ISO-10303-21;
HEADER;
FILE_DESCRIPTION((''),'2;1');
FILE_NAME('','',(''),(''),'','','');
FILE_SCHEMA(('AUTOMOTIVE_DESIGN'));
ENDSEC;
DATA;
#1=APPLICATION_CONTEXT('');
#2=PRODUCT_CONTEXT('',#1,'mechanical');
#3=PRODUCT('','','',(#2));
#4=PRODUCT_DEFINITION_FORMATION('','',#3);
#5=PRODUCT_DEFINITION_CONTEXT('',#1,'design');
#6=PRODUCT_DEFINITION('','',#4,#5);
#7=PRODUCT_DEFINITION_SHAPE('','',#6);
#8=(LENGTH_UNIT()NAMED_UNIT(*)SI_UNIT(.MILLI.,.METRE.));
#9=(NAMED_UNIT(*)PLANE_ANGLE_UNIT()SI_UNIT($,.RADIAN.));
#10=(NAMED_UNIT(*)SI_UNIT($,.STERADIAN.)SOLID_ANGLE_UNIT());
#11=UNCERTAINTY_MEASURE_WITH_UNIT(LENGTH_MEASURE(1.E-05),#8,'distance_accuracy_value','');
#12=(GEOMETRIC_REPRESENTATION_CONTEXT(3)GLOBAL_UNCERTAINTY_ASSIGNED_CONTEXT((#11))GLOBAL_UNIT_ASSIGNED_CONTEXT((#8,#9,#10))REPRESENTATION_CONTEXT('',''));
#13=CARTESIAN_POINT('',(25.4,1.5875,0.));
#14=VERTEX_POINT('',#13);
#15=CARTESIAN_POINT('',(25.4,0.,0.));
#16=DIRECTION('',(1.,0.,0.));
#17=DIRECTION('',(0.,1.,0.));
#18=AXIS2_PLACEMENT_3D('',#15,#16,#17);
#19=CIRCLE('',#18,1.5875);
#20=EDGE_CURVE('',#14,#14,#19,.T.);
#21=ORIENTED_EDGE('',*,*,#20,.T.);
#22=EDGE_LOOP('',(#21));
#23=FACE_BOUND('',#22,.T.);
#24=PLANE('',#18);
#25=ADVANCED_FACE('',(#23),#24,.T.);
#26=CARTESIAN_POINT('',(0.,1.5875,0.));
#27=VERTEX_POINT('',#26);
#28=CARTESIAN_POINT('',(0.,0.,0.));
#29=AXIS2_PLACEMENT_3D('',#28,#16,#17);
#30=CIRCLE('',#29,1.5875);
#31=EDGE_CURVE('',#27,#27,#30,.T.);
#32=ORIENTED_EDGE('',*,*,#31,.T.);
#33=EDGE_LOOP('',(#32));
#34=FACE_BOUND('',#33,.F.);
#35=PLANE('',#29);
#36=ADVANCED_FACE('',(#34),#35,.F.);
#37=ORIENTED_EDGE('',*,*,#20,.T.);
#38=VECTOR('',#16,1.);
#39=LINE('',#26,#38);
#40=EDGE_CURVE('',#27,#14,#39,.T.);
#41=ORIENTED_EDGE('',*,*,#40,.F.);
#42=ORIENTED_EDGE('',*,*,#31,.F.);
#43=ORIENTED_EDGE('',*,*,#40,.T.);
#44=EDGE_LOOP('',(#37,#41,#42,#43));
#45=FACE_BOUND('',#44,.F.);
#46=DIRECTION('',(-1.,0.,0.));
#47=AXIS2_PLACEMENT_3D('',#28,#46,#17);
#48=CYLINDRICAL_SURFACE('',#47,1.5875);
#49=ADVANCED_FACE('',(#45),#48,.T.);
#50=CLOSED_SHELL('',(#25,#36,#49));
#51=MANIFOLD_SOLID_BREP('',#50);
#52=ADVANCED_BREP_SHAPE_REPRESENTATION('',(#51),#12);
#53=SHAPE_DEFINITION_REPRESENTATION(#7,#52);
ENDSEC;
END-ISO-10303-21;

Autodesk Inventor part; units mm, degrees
ref_plane "YZ Plane" through (0, 0, 0) normal (1, 0, 0) x (0, 1, 0)
ref_plane "XZ Plane" through (0, 0, 0) normal (0, 1, 0) x (-1, 0, 0)
ref_plane "XY Plane" through (0, 0, 0) normal (0, 0, 1) x (1, 0, 0)
sketch "Sketch1" plane through (0, 0, 0) normal (1, 0, 0) x (0, 1, 0)
  circle A0 centre (0, 0) radius 1.5875
  dimension "d0" = 3.175
extrude "Extrusion1" add sketch "Sketch1" along normal blind 25.4
properties part number "RollPin_1in"
